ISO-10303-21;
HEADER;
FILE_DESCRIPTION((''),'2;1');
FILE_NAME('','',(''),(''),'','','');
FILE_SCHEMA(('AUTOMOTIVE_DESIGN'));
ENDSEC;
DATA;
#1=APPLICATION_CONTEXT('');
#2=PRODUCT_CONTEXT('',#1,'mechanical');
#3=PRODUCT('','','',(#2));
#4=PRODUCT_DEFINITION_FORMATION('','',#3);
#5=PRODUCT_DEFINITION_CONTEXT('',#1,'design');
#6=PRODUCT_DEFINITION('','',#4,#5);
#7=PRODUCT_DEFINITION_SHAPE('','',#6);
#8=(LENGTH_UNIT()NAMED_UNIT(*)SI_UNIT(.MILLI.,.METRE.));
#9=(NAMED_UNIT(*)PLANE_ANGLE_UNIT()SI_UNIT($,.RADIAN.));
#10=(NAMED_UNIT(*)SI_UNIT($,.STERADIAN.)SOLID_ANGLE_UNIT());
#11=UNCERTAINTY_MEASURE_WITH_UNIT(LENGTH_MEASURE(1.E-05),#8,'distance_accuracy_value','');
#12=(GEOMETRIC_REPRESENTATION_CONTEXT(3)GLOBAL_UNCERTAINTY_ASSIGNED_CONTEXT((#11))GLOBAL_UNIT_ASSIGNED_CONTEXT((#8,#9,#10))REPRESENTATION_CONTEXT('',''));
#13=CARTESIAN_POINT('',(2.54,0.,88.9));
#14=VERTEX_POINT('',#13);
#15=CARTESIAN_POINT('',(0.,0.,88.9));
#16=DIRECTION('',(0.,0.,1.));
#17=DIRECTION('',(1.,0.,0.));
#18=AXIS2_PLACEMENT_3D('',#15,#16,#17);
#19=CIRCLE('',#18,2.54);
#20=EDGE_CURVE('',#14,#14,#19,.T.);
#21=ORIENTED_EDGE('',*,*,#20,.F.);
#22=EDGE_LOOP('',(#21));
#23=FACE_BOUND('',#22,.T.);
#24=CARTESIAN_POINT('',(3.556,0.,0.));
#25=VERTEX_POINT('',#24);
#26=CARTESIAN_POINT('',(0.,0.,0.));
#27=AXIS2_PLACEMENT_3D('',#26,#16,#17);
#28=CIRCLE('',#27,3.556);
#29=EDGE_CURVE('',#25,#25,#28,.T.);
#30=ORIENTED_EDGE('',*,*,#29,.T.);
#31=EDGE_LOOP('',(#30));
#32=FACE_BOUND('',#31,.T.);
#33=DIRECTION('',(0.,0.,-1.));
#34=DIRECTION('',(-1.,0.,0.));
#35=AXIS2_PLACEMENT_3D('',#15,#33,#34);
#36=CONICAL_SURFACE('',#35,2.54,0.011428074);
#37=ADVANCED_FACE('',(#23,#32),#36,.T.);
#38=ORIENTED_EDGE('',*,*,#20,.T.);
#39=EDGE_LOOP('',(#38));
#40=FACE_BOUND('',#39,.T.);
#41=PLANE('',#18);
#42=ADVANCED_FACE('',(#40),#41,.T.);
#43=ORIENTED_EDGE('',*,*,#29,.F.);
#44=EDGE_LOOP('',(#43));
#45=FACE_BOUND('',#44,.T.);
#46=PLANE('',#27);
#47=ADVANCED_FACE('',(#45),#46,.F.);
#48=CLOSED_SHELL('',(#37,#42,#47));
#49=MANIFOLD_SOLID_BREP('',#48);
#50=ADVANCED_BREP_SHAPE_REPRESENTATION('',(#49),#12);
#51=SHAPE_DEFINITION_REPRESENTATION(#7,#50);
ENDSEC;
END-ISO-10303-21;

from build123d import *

# Parameters (mm, degrees)
SKETCH3_R = 2.54
SKETCH2_R = 3.556


with BuildPart() as part:
    # Sketch3 → Loft1 section 0
    with BuildSketch(Plane.XY.offset(88.9)):
        Circle(SKETCH3_R)
    # Sketch2 → Loft1 section 1
    with BuildSketch(Plane.XY):
        Circle(SKETCH2_R)
    loft()


solid = part.part
